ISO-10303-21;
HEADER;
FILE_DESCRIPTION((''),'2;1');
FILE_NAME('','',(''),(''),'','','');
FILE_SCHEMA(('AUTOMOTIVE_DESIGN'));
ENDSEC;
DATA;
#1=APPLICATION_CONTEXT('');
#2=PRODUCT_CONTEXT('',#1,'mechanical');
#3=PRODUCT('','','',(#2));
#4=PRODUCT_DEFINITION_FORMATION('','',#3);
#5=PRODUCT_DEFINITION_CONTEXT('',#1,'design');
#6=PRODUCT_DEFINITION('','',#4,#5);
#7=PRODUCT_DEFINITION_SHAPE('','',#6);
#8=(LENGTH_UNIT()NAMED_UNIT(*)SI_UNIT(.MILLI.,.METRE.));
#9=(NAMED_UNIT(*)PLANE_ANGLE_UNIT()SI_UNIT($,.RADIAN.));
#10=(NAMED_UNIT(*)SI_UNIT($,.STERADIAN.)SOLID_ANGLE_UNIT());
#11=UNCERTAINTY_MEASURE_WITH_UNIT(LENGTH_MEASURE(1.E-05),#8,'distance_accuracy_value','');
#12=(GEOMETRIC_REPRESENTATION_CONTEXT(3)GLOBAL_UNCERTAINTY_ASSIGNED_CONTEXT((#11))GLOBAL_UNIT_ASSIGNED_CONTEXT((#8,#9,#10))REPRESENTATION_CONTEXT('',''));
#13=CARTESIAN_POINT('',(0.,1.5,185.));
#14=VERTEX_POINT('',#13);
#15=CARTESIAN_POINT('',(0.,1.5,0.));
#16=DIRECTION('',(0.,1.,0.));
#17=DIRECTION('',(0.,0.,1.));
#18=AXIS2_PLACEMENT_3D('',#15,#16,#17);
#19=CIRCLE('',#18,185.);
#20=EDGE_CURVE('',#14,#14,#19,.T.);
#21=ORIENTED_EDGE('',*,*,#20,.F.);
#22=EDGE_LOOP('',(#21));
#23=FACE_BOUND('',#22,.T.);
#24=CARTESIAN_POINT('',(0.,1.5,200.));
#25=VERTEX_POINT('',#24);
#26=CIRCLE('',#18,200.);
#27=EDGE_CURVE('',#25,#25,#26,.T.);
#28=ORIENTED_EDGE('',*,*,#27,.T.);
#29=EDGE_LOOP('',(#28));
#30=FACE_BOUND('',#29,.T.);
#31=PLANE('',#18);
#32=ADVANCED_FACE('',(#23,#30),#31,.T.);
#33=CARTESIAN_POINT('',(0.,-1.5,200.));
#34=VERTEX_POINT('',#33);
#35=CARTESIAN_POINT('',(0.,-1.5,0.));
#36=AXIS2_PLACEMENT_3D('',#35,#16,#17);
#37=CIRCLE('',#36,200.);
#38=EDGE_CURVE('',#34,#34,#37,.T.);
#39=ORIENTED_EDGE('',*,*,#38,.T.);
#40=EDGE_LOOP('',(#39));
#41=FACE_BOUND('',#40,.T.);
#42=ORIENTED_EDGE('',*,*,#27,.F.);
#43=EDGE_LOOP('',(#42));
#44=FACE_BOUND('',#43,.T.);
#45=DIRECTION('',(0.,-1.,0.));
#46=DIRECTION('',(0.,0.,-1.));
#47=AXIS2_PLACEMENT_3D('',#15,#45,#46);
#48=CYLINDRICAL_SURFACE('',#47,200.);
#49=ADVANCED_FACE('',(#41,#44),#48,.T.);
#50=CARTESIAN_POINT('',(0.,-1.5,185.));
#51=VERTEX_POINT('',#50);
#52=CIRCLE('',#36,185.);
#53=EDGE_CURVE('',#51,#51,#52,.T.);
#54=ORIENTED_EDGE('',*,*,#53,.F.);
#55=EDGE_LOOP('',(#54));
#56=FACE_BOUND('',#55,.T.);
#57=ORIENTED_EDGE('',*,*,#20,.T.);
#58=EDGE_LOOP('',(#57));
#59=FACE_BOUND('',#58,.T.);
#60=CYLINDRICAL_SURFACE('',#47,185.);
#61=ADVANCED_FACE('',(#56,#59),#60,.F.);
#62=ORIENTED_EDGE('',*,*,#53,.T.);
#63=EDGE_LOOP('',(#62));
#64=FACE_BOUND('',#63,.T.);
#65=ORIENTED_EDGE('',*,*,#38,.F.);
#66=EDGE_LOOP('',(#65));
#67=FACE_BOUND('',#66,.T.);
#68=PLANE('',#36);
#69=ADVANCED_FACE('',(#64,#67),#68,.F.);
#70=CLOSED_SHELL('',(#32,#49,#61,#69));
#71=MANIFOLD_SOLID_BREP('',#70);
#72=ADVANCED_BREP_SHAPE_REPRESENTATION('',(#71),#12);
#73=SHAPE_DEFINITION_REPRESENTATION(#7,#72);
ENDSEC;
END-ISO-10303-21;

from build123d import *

# Parameters (mm, degrees)
SKETCH1_R           = 200
SKETCH1_R_2         = 185
BOSS_EXTRUDE1_DEPTH = 1.5


with BuildPart() as part:
    # Sketch1 → Boss-Extrude1 (new, symmetric)
    with BuildSketch(Plane(origin=(0, 0, 0), x_dir=(1, 0, 0), z_dir=(0, 1, 0))):
        with Locations(Location((0, 0, 0), (0, 0, 270))):
            Circle(SKETCH1_R)
        with Locations(Location((0, 0, 0), (0, 0, 270))):
            Circle(SKETCH1_R_2, mode=Mode.SUBTRACT)
    extrude(amount=BOSS_EXTRUDE1_DEPTH, both=True)


solid = part.part
